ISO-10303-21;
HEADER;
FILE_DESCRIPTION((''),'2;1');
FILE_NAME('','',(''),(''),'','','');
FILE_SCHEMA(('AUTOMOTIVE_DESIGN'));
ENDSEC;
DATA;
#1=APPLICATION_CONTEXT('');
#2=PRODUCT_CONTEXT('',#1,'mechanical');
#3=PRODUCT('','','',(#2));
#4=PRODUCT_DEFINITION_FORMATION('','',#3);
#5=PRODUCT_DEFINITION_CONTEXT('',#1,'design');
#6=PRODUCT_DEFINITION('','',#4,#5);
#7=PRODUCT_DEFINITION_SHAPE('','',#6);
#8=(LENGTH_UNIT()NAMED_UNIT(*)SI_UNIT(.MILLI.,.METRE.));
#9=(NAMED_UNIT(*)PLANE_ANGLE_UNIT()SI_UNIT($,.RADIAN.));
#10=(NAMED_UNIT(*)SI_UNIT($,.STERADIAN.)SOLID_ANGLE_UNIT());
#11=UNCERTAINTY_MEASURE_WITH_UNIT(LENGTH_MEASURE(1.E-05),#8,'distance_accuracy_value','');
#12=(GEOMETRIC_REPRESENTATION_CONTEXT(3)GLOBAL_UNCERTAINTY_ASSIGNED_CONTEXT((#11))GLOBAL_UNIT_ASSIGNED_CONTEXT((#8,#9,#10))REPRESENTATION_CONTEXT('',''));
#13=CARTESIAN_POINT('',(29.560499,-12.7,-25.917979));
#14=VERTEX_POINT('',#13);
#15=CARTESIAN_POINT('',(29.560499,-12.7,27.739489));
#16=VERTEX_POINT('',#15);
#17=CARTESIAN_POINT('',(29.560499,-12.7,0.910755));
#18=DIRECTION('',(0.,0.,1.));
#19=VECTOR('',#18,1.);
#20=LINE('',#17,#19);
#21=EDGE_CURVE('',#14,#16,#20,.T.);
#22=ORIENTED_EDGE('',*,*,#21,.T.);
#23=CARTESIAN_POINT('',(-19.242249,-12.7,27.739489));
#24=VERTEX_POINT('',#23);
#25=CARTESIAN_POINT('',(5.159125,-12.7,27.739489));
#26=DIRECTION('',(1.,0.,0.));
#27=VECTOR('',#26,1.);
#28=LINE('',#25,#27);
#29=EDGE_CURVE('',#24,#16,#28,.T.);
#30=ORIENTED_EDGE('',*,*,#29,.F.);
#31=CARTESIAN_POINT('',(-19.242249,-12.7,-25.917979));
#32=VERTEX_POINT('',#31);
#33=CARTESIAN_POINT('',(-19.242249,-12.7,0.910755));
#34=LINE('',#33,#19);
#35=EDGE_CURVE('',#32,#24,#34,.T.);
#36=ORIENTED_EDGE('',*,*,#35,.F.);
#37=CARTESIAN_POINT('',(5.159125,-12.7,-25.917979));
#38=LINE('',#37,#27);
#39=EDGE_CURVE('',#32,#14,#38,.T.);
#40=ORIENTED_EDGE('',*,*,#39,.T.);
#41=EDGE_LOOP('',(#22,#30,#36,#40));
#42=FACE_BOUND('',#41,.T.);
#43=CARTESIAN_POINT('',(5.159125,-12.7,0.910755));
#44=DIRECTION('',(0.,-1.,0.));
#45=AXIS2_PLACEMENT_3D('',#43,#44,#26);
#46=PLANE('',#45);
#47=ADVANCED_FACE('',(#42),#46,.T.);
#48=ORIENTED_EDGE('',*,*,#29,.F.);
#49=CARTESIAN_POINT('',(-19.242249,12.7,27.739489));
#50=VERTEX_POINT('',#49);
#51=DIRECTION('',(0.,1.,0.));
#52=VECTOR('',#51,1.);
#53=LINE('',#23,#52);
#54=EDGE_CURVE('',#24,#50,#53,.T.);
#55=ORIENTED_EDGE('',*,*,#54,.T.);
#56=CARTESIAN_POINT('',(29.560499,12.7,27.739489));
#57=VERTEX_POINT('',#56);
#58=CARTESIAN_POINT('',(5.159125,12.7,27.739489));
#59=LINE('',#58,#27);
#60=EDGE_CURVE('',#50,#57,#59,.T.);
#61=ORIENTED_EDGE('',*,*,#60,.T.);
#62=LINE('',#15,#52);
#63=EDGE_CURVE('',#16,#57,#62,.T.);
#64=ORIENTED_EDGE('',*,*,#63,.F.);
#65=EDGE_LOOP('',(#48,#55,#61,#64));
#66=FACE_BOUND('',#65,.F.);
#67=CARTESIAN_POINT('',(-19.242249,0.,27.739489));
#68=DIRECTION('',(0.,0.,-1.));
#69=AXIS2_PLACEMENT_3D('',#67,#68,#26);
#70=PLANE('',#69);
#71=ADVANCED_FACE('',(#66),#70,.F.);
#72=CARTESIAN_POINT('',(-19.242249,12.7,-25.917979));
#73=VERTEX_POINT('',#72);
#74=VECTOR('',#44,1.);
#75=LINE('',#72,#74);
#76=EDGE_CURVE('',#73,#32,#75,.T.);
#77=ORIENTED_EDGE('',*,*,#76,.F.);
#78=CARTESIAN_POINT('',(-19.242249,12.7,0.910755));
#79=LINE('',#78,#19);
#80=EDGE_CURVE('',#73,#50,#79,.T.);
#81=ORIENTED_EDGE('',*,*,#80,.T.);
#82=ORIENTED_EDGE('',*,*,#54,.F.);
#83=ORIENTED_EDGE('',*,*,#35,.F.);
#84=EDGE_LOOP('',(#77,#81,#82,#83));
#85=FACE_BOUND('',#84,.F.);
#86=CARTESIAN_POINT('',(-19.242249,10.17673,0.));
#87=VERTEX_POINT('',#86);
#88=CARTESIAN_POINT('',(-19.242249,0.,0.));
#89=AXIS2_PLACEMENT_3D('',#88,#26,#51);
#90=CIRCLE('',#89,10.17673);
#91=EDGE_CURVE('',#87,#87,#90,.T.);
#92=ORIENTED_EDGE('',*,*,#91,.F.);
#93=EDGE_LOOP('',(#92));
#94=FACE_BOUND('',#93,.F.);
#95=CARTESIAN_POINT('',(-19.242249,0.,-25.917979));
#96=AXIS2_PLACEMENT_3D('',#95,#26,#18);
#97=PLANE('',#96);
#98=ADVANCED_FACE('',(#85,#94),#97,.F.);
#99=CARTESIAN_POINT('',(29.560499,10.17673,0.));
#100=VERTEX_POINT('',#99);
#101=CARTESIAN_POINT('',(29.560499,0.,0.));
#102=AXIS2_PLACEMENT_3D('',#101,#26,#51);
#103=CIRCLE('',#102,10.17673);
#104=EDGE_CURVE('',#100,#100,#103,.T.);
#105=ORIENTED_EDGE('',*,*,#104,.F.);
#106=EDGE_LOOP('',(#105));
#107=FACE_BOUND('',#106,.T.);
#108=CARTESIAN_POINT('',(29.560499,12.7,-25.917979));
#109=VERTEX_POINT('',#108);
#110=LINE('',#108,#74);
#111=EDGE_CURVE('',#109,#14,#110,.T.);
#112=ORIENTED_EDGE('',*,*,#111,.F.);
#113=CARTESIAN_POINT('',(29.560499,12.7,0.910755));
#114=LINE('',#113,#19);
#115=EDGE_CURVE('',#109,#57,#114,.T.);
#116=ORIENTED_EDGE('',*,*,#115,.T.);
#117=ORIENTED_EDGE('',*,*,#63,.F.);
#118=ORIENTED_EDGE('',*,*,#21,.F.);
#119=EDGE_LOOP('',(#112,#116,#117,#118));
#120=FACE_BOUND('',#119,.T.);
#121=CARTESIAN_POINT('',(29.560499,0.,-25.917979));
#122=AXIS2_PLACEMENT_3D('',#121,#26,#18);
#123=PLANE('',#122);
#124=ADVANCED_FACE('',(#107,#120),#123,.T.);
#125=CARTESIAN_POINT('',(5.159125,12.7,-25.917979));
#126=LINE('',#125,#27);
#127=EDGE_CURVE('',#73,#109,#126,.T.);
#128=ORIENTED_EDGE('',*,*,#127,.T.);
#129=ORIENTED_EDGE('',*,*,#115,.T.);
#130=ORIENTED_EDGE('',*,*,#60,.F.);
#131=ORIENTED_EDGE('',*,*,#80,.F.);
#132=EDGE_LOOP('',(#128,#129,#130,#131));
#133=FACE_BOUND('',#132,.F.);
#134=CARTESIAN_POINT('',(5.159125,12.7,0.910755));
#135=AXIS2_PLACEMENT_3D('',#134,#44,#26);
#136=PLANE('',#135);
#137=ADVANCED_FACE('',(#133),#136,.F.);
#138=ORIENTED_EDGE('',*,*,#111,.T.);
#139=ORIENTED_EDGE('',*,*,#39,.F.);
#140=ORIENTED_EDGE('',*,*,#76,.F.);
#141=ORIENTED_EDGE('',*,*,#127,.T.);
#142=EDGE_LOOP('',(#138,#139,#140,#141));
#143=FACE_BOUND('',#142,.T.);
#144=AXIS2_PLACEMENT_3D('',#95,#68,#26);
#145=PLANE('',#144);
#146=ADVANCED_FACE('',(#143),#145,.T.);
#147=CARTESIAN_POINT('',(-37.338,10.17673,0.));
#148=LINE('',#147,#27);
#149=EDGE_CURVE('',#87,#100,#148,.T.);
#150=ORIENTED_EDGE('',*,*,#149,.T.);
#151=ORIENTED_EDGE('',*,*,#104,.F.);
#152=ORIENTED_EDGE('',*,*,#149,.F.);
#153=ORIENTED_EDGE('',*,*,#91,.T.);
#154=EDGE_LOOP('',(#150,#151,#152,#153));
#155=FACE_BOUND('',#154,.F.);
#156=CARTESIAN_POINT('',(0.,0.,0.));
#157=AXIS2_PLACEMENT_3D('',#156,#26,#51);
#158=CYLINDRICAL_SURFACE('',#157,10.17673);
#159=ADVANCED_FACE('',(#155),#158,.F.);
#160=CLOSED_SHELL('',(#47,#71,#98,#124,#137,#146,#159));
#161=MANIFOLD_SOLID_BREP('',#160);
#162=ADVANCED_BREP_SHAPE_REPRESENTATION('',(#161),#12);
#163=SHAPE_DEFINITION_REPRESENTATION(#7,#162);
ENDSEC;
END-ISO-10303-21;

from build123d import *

# Parameters (mm, degrees)
F0_W     = 48.802748
F0_H     = 53.657468
F1_DEPTH = 12.7
F2_R     = 10.17673
F3_DEPTH = 37.338


with BuildPart() as f1:
    # F0 (on Front) → F1 (new body, symmetric)
    with BuildSketch(Plane.XZ):
        with Locations((5.159125, 0.910755)):
            Rectangle(F0_W, F0_H)
    extrude(amount=F1_DEPTH, both=True)

    # F2 (on Right) → F3 (cut, symmetric)
    with BuildSketch(Plane.YZ):
        Circle(F2_R)
    extrude(amount=F3_DEPTH, both=True, mode=Mode.SUBTRACT)


solid = f1.part
